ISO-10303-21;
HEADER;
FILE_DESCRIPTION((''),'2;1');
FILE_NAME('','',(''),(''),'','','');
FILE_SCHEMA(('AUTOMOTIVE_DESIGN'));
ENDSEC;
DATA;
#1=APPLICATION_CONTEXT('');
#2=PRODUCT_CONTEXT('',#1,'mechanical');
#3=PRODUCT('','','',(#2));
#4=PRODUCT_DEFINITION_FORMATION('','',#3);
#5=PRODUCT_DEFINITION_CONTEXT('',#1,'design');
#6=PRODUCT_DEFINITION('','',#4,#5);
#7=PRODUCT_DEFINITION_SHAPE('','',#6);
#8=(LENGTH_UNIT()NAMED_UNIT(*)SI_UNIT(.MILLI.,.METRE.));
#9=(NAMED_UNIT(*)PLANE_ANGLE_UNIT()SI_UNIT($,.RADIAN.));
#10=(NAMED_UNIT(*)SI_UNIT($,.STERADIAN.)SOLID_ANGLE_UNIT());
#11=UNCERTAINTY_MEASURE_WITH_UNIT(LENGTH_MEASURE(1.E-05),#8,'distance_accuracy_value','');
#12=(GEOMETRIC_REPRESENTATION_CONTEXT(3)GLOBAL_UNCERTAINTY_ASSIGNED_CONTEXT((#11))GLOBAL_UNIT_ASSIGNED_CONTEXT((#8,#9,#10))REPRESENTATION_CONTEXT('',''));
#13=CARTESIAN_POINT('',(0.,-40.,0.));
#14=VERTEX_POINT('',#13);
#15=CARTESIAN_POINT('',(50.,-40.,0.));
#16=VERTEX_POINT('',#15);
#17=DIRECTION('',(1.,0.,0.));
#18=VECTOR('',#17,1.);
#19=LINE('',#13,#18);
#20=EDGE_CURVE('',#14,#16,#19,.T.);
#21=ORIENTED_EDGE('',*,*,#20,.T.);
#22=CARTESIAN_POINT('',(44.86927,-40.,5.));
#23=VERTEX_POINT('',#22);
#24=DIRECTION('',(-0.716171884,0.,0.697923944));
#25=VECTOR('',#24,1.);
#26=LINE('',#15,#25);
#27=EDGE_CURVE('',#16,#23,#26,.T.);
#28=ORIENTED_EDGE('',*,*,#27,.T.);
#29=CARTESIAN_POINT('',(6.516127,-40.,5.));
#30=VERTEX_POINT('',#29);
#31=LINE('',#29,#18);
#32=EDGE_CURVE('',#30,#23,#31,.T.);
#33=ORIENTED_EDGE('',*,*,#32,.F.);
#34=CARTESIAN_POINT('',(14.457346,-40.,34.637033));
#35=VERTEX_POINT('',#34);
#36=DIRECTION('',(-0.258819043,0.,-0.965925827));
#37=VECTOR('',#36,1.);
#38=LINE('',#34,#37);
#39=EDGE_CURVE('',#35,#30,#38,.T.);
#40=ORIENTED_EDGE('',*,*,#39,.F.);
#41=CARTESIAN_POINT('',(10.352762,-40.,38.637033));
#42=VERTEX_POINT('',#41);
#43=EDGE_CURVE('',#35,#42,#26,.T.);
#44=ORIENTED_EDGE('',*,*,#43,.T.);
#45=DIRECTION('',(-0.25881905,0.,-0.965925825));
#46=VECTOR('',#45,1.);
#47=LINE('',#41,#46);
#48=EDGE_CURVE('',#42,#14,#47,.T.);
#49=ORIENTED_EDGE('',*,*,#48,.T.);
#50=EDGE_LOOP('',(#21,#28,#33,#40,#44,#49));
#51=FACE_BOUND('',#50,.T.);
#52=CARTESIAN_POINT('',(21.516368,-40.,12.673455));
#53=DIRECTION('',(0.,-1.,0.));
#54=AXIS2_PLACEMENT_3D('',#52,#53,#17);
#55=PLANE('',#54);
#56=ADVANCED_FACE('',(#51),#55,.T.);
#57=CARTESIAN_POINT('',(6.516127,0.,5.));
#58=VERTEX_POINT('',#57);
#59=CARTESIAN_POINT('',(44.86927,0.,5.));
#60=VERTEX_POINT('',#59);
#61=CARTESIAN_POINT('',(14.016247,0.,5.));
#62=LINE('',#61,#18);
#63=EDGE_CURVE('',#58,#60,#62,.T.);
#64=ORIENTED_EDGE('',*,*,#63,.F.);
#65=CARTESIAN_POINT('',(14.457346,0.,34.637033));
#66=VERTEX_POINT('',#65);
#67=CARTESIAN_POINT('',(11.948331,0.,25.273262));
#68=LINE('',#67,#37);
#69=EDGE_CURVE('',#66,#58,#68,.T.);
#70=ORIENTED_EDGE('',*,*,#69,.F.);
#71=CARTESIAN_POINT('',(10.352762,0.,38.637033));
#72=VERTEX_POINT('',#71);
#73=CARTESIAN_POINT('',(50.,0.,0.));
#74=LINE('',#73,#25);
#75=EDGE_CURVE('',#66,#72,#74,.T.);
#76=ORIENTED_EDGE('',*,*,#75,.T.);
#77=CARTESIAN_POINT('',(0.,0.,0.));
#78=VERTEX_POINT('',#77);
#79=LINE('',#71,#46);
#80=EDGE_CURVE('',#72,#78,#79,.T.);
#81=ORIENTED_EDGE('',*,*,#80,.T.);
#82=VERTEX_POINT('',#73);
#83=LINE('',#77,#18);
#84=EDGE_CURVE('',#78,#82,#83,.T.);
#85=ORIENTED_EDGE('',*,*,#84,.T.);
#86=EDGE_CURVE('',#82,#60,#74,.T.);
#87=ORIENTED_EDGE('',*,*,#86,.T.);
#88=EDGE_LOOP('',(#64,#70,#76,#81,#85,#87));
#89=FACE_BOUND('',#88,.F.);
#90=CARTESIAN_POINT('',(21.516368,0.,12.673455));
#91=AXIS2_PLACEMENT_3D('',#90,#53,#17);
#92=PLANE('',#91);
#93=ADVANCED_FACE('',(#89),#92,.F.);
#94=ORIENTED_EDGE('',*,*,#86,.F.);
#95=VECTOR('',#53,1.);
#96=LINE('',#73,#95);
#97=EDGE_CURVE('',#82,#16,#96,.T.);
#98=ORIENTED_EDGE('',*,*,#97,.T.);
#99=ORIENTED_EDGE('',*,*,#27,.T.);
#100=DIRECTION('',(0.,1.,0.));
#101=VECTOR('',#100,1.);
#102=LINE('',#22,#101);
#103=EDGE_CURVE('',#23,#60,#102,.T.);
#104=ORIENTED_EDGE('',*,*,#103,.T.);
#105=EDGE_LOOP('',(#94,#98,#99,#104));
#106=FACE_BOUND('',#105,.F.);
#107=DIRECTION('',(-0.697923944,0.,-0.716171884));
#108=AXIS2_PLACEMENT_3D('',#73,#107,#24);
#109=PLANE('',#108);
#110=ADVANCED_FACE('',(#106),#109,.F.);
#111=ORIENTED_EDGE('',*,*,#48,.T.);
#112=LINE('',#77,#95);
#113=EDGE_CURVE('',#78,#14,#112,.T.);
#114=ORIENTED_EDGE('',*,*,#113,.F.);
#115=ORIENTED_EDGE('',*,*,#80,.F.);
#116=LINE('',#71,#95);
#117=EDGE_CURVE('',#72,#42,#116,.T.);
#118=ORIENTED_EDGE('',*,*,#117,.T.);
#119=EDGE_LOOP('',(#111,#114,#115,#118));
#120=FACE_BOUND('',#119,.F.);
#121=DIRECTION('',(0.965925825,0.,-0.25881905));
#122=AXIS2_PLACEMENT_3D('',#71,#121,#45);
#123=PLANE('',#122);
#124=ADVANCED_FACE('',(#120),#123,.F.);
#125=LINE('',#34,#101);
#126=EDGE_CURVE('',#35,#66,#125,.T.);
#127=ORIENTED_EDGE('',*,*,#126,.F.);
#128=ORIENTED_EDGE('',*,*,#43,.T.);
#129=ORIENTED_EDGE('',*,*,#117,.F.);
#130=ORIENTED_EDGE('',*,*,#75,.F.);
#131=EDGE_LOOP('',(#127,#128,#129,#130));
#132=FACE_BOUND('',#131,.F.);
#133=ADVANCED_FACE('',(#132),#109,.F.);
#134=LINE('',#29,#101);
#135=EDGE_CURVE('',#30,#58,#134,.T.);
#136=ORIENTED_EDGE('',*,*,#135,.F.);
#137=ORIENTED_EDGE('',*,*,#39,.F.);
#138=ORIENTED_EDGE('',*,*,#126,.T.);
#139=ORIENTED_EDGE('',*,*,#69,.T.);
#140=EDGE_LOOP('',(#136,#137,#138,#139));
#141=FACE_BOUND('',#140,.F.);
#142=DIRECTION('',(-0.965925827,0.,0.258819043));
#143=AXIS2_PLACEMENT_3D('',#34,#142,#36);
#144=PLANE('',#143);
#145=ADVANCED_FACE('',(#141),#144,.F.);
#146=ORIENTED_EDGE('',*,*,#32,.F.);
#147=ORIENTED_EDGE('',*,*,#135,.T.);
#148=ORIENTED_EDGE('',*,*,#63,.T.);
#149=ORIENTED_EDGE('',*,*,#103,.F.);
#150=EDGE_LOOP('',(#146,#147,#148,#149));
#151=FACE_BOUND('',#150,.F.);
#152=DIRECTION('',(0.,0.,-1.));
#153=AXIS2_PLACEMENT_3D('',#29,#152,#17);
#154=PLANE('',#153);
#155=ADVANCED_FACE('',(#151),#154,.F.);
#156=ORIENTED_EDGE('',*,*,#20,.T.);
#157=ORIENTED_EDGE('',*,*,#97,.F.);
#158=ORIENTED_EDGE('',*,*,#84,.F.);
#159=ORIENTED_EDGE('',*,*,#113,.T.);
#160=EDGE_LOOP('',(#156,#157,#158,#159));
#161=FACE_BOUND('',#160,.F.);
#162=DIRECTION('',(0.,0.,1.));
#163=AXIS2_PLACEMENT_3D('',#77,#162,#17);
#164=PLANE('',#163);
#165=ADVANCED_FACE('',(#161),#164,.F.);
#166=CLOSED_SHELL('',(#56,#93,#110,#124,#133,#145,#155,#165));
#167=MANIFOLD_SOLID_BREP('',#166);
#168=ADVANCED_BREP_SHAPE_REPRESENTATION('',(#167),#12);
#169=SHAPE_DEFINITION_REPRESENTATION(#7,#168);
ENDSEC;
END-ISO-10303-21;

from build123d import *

# Parameters (mm, degrees)
F1_DEPTH = 40
F3_DEPTH = 53


with BuildPart() as f1:
    # F0 (on Front) → F1 (new body)
    with BuildSketch(Plane.XZ):
        Polygon((10.352762, 38.637033), (0, 0), (50, 0), align=None)
    extrude(amount=F1_DEPTH)

    # F2 (on face) → F3 (cut)
    with BuildSketch(Plane.XZ.offset(40)):
        Polygon((44.86927, 5), (14.457346, 34.637033), (6.516127, 5), align=None)
    extrude(amount=-F3_DEPTH, mode=Mode.SUBTRACT)


solid = f1.part
